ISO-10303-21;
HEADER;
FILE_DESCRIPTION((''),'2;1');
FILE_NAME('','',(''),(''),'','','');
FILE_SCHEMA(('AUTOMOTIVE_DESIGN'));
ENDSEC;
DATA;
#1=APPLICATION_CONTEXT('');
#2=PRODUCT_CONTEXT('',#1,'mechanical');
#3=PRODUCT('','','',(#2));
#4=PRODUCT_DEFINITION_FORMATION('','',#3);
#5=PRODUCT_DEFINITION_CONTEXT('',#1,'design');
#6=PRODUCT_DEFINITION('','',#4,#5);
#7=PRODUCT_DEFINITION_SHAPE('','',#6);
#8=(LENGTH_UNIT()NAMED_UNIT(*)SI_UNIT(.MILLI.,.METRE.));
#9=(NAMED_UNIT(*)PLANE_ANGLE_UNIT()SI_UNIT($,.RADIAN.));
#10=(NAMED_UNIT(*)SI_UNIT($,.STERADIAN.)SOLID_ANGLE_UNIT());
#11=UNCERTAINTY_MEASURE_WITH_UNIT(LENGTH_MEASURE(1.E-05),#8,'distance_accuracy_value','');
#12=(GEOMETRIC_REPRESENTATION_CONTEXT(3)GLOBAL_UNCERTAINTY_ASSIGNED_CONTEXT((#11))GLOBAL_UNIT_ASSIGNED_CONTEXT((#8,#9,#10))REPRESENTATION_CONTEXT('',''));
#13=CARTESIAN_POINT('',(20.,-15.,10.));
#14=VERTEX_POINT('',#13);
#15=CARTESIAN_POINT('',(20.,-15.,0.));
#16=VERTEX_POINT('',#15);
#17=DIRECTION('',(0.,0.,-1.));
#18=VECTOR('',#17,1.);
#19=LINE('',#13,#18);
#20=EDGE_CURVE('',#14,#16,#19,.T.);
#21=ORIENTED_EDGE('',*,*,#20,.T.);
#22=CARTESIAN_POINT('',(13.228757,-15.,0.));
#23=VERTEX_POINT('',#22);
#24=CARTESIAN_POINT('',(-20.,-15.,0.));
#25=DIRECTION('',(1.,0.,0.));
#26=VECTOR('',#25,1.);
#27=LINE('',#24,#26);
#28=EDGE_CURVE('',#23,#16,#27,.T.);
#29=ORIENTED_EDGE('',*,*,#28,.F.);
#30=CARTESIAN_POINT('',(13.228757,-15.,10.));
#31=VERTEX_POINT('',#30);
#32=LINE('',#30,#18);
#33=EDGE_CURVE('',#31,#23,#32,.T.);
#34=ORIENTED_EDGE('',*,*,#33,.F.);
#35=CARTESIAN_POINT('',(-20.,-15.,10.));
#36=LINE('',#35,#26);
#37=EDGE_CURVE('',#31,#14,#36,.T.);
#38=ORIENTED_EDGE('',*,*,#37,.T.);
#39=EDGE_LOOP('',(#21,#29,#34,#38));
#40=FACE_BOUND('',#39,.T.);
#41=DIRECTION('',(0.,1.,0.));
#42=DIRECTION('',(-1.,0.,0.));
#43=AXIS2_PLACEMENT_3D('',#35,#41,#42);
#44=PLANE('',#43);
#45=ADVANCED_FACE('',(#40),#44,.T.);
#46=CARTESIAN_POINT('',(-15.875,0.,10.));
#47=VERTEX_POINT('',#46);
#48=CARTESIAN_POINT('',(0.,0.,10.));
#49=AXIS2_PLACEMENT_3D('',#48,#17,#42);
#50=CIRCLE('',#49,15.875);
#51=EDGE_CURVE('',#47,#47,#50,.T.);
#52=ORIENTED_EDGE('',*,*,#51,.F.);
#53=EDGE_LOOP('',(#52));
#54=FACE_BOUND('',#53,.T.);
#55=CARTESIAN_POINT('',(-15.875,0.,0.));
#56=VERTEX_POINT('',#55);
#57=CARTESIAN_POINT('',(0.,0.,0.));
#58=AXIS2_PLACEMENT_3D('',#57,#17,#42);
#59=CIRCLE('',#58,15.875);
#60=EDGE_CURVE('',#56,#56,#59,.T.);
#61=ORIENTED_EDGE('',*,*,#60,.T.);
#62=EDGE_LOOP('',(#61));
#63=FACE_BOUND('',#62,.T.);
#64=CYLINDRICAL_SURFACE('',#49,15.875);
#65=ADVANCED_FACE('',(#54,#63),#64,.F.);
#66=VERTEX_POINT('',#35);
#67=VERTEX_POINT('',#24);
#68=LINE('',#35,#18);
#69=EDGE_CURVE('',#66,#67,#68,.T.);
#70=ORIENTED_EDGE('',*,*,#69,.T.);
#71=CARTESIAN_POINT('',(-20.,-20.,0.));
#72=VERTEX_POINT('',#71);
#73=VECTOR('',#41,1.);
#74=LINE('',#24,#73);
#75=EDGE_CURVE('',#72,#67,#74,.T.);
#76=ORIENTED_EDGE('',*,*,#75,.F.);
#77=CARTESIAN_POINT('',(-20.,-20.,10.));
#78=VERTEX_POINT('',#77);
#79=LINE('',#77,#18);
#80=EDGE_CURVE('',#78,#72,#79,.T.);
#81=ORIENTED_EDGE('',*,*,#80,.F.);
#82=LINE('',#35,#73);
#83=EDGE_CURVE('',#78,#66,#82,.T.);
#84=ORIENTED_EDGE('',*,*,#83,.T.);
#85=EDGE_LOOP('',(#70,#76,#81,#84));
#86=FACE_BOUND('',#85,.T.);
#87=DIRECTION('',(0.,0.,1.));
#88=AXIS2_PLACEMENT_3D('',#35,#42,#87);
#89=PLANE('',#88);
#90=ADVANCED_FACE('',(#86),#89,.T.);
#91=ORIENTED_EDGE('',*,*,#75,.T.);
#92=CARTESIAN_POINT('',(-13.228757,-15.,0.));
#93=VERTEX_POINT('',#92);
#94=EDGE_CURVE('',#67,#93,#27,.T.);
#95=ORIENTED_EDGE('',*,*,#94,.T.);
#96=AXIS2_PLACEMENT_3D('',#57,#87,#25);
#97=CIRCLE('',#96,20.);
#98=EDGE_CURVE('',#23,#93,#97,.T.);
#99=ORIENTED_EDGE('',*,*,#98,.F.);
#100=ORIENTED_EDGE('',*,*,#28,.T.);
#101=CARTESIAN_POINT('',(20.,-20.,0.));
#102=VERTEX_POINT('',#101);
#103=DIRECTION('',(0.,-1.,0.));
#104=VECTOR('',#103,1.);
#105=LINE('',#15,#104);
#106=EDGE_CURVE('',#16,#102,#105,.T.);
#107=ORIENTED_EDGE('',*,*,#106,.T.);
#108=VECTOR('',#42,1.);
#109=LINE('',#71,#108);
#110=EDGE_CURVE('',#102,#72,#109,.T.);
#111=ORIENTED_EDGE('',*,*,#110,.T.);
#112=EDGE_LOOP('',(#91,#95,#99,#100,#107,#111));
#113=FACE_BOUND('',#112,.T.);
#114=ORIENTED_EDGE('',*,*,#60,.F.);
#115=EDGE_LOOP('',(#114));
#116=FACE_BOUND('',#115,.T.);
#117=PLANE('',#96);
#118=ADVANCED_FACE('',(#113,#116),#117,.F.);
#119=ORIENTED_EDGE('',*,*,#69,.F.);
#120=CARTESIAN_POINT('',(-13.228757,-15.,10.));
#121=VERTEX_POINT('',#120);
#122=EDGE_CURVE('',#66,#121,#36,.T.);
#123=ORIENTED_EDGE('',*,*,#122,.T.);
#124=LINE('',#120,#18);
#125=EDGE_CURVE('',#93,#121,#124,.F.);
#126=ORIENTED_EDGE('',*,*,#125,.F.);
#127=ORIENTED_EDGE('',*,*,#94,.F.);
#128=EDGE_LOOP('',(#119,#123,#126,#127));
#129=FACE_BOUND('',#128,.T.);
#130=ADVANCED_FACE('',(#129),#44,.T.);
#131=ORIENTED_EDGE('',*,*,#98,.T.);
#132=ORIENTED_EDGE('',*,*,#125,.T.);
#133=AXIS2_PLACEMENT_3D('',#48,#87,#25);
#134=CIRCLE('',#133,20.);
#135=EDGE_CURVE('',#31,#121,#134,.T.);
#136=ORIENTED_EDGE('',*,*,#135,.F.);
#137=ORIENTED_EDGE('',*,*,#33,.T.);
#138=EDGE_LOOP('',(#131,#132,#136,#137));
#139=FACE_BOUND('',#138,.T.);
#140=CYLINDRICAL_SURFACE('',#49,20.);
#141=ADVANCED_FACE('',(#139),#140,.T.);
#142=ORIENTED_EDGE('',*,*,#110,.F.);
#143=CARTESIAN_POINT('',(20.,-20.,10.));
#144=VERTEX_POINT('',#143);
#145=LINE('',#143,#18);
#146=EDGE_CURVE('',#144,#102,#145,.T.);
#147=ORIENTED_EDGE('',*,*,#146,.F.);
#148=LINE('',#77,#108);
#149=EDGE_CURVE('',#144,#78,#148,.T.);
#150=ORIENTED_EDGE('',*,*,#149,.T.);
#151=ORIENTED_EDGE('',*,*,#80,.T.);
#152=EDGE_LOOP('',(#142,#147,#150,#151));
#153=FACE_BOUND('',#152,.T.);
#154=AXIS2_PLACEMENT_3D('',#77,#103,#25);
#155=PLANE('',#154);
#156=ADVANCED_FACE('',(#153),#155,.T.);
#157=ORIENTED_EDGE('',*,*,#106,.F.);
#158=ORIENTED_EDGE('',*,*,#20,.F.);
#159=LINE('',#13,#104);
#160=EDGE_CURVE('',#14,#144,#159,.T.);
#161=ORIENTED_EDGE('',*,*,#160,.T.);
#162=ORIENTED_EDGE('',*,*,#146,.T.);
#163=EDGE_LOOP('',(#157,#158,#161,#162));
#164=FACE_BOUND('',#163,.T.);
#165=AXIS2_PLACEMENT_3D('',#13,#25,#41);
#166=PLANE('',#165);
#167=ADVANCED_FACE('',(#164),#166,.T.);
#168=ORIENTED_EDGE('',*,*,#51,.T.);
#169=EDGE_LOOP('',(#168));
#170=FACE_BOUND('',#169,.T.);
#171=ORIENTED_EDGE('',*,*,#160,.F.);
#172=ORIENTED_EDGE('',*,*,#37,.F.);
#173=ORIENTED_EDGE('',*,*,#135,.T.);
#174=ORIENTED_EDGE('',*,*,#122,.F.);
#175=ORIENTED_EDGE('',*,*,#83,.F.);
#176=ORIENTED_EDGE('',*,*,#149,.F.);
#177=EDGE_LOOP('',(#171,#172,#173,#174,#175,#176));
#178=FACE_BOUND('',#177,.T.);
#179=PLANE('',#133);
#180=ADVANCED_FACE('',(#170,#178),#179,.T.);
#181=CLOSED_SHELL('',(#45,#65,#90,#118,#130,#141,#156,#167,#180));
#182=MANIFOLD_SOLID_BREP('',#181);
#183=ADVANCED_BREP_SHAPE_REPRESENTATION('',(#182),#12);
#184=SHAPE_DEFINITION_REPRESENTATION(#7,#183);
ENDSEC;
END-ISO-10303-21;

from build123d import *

# Parameters (mm, degrees)
SKETCH1_R           = 20
BOSS_EXTRUDE1_DEPTH = 10
SKETCH2_W           = 40
SKETCH2_H           = 5
BOSS_EXTRUDE2_DEPTH = 10
SKETCH3_R           = 15.875
CUT_EXTRUDE1_DEPTH  = 31


with BuildPart() as part:
    # Sketch1 → Boss-Extrude1 (new body)
    with BuildSketch(Plane.XY):
        Circle(SKETCH1_R)
    extrude(amount=BOSS_EXTRUDE1_DEPTH)

    # Sketch2 → Boss-Extrude2 (add)
    with BuildSketch(Plane(origin=(0, 0, 0), x_dir=(-1, 0, 0), z_dir=(0, 0, -1))):
        with Locations((0, -17.5)):
            Rectangle(SKETCH2_W, SKETCH2_H)
    extrude(amount=-BOSS_EXTRUDE2_DEPTH)

    # Sketch3 → Cut-Extrude1 (cut, through all)
    with BuildSketch(Plane(origin=(0, 0, 0), x_dir=(-1, 0, 0), z_dir=(0, 0, -1))):
        Circle(SKETCH3_R)
    extrude(amount=-CUT_EXTRUDE1_DEPTH, mode=Mode.SUBTRACT)


solid = part.part
